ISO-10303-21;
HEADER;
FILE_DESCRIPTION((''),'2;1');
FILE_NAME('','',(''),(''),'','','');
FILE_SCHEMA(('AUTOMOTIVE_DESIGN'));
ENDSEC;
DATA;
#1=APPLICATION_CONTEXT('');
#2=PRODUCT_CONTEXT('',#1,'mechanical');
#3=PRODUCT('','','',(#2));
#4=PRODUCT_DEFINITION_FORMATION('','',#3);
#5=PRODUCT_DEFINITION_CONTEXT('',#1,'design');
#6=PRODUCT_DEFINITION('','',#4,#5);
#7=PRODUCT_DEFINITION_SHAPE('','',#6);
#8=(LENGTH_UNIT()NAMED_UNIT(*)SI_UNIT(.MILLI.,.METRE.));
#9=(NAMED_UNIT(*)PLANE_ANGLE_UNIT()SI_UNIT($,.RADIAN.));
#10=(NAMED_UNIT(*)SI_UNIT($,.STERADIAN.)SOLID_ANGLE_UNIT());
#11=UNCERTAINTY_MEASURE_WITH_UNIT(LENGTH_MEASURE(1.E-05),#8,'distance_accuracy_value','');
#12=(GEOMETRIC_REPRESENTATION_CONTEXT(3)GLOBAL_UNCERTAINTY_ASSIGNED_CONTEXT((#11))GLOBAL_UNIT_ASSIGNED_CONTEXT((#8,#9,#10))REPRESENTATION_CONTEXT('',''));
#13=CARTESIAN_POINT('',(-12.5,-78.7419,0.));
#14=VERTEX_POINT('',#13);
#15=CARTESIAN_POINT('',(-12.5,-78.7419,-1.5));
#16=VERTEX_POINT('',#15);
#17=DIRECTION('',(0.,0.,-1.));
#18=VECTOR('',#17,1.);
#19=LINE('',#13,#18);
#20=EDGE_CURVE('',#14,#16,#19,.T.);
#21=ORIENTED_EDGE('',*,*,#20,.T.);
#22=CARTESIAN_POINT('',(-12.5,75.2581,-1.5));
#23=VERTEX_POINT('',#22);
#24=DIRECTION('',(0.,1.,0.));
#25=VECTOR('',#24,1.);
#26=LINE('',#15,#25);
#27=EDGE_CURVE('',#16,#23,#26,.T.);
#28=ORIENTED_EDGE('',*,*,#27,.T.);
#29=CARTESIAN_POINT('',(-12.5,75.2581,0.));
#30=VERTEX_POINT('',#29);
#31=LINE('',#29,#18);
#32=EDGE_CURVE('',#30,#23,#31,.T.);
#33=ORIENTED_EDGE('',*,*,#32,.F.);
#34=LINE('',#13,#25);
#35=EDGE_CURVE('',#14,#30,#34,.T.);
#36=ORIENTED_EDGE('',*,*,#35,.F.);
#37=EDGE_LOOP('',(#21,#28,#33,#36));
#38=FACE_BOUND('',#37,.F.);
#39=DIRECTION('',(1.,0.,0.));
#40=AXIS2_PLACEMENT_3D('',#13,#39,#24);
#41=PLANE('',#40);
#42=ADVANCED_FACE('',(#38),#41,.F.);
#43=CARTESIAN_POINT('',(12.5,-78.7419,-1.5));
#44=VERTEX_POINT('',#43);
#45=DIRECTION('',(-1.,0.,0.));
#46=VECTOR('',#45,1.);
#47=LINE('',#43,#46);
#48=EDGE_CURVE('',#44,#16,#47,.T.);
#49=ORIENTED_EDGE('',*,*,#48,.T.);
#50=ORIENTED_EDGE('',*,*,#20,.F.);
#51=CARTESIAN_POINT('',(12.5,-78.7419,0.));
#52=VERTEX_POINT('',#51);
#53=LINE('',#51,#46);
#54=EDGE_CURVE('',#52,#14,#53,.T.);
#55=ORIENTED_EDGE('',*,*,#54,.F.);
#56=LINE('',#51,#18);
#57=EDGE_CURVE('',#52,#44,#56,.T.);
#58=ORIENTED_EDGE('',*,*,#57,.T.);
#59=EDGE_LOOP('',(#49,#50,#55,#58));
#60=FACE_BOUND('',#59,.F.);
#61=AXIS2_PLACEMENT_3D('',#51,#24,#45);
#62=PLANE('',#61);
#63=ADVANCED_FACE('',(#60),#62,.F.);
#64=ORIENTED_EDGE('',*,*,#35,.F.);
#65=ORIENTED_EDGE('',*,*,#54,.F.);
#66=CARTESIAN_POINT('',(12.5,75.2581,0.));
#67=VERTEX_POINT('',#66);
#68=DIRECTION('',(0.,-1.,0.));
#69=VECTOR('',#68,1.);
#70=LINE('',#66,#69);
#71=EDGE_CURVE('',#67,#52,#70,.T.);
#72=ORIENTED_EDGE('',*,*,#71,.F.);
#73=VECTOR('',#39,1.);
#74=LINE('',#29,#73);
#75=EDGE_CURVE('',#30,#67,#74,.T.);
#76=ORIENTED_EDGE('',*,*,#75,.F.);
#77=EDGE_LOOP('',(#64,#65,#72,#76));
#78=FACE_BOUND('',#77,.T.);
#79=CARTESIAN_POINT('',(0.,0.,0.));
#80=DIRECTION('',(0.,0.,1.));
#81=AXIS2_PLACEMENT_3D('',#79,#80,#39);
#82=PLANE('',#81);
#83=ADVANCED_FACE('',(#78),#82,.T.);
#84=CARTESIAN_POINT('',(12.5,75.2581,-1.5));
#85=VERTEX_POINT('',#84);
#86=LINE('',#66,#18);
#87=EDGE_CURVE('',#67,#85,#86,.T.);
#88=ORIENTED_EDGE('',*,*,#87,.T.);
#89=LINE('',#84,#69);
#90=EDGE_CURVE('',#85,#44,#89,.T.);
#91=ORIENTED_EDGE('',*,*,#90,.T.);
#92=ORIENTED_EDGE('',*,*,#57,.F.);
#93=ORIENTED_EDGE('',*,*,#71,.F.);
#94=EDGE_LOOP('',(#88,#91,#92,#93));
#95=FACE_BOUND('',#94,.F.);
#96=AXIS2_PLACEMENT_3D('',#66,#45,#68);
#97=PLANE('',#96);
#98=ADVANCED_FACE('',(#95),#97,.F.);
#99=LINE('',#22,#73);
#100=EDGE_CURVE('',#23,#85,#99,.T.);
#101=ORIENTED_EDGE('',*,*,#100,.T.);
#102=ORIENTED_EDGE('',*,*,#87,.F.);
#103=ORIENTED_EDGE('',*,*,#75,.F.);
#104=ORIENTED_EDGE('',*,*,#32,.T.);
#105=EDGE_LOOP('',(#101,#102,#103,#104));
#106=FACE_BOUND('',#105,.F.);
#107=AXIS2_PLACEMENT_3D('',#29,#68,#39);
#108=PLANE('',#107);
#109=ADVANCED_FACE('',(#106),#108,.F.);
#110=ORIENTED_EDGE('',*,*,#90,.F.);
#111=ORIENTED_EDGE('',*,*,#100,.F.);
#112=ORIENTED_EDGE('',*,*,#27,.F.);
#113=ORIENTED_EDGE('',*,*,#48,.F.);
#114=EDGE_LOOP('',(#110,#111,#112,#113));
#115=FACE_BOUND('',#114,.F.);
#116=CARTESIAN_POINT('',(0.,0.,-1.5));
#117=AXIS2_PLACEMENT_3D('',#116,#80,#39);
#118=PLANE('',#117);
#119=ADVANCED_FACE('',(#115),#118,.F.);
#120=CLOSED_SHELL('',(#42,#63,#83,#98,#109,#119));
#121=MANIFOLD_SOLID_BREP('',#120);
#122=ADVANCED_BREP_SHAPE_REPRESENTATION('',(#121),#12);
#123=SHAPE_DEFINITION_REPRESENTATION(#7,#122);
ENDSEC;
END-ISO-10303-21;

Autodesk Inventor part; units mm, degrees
ref_plane "YZ Plane" through (0, 0, 0) normal (1, 0, 0) x (0, 1, 0)
ref_plane "XZ Plane" through (0, 0, 0) normal (0, 1, 0) x (-1, 0, 0)
ref_plane "XY Plane" through (0, 0, 0) normal (0, 0, 1) x (1, 0, 0)
sketch "Szkic1" plane through (0, 0, 0) normal (0, 0, 1) x (1, 0, 0)
  line L0 (-16.5, -97.2419) -> (-16.5, 75.7581) projected
  line L1 (-16.5, 75.7581) -> (16.5, 75.7581) projected
  line L2 (16.5, 75.7581) -> (16.5, -97.2419) projected
  line L3 (-12.5, 75.2581) -> (12.5, 75.2581)
  line L4 (12.5, 75.2581) -> (12.5, -78.7419)
  line L5 (12.5, -78.7419) -> (-12.5, -78.7419)
  line L6 (-12.5, -78.7419) -> (-12.5, 75.2581)
  point P0 (0, 0)
  dimension "d0" = 25
  dimension "d1" = 154
extrude "Wyciągnięcie proste1" add sketch "Szkic1" against normal blind 1.5
properties part number "ZAŚLEPKA PRZEDNIA GÓRNY CZARNEJ OBUDOWY STOJAKA" material "Tworzywo sztuczne, nieprzezroczyste czarne"
